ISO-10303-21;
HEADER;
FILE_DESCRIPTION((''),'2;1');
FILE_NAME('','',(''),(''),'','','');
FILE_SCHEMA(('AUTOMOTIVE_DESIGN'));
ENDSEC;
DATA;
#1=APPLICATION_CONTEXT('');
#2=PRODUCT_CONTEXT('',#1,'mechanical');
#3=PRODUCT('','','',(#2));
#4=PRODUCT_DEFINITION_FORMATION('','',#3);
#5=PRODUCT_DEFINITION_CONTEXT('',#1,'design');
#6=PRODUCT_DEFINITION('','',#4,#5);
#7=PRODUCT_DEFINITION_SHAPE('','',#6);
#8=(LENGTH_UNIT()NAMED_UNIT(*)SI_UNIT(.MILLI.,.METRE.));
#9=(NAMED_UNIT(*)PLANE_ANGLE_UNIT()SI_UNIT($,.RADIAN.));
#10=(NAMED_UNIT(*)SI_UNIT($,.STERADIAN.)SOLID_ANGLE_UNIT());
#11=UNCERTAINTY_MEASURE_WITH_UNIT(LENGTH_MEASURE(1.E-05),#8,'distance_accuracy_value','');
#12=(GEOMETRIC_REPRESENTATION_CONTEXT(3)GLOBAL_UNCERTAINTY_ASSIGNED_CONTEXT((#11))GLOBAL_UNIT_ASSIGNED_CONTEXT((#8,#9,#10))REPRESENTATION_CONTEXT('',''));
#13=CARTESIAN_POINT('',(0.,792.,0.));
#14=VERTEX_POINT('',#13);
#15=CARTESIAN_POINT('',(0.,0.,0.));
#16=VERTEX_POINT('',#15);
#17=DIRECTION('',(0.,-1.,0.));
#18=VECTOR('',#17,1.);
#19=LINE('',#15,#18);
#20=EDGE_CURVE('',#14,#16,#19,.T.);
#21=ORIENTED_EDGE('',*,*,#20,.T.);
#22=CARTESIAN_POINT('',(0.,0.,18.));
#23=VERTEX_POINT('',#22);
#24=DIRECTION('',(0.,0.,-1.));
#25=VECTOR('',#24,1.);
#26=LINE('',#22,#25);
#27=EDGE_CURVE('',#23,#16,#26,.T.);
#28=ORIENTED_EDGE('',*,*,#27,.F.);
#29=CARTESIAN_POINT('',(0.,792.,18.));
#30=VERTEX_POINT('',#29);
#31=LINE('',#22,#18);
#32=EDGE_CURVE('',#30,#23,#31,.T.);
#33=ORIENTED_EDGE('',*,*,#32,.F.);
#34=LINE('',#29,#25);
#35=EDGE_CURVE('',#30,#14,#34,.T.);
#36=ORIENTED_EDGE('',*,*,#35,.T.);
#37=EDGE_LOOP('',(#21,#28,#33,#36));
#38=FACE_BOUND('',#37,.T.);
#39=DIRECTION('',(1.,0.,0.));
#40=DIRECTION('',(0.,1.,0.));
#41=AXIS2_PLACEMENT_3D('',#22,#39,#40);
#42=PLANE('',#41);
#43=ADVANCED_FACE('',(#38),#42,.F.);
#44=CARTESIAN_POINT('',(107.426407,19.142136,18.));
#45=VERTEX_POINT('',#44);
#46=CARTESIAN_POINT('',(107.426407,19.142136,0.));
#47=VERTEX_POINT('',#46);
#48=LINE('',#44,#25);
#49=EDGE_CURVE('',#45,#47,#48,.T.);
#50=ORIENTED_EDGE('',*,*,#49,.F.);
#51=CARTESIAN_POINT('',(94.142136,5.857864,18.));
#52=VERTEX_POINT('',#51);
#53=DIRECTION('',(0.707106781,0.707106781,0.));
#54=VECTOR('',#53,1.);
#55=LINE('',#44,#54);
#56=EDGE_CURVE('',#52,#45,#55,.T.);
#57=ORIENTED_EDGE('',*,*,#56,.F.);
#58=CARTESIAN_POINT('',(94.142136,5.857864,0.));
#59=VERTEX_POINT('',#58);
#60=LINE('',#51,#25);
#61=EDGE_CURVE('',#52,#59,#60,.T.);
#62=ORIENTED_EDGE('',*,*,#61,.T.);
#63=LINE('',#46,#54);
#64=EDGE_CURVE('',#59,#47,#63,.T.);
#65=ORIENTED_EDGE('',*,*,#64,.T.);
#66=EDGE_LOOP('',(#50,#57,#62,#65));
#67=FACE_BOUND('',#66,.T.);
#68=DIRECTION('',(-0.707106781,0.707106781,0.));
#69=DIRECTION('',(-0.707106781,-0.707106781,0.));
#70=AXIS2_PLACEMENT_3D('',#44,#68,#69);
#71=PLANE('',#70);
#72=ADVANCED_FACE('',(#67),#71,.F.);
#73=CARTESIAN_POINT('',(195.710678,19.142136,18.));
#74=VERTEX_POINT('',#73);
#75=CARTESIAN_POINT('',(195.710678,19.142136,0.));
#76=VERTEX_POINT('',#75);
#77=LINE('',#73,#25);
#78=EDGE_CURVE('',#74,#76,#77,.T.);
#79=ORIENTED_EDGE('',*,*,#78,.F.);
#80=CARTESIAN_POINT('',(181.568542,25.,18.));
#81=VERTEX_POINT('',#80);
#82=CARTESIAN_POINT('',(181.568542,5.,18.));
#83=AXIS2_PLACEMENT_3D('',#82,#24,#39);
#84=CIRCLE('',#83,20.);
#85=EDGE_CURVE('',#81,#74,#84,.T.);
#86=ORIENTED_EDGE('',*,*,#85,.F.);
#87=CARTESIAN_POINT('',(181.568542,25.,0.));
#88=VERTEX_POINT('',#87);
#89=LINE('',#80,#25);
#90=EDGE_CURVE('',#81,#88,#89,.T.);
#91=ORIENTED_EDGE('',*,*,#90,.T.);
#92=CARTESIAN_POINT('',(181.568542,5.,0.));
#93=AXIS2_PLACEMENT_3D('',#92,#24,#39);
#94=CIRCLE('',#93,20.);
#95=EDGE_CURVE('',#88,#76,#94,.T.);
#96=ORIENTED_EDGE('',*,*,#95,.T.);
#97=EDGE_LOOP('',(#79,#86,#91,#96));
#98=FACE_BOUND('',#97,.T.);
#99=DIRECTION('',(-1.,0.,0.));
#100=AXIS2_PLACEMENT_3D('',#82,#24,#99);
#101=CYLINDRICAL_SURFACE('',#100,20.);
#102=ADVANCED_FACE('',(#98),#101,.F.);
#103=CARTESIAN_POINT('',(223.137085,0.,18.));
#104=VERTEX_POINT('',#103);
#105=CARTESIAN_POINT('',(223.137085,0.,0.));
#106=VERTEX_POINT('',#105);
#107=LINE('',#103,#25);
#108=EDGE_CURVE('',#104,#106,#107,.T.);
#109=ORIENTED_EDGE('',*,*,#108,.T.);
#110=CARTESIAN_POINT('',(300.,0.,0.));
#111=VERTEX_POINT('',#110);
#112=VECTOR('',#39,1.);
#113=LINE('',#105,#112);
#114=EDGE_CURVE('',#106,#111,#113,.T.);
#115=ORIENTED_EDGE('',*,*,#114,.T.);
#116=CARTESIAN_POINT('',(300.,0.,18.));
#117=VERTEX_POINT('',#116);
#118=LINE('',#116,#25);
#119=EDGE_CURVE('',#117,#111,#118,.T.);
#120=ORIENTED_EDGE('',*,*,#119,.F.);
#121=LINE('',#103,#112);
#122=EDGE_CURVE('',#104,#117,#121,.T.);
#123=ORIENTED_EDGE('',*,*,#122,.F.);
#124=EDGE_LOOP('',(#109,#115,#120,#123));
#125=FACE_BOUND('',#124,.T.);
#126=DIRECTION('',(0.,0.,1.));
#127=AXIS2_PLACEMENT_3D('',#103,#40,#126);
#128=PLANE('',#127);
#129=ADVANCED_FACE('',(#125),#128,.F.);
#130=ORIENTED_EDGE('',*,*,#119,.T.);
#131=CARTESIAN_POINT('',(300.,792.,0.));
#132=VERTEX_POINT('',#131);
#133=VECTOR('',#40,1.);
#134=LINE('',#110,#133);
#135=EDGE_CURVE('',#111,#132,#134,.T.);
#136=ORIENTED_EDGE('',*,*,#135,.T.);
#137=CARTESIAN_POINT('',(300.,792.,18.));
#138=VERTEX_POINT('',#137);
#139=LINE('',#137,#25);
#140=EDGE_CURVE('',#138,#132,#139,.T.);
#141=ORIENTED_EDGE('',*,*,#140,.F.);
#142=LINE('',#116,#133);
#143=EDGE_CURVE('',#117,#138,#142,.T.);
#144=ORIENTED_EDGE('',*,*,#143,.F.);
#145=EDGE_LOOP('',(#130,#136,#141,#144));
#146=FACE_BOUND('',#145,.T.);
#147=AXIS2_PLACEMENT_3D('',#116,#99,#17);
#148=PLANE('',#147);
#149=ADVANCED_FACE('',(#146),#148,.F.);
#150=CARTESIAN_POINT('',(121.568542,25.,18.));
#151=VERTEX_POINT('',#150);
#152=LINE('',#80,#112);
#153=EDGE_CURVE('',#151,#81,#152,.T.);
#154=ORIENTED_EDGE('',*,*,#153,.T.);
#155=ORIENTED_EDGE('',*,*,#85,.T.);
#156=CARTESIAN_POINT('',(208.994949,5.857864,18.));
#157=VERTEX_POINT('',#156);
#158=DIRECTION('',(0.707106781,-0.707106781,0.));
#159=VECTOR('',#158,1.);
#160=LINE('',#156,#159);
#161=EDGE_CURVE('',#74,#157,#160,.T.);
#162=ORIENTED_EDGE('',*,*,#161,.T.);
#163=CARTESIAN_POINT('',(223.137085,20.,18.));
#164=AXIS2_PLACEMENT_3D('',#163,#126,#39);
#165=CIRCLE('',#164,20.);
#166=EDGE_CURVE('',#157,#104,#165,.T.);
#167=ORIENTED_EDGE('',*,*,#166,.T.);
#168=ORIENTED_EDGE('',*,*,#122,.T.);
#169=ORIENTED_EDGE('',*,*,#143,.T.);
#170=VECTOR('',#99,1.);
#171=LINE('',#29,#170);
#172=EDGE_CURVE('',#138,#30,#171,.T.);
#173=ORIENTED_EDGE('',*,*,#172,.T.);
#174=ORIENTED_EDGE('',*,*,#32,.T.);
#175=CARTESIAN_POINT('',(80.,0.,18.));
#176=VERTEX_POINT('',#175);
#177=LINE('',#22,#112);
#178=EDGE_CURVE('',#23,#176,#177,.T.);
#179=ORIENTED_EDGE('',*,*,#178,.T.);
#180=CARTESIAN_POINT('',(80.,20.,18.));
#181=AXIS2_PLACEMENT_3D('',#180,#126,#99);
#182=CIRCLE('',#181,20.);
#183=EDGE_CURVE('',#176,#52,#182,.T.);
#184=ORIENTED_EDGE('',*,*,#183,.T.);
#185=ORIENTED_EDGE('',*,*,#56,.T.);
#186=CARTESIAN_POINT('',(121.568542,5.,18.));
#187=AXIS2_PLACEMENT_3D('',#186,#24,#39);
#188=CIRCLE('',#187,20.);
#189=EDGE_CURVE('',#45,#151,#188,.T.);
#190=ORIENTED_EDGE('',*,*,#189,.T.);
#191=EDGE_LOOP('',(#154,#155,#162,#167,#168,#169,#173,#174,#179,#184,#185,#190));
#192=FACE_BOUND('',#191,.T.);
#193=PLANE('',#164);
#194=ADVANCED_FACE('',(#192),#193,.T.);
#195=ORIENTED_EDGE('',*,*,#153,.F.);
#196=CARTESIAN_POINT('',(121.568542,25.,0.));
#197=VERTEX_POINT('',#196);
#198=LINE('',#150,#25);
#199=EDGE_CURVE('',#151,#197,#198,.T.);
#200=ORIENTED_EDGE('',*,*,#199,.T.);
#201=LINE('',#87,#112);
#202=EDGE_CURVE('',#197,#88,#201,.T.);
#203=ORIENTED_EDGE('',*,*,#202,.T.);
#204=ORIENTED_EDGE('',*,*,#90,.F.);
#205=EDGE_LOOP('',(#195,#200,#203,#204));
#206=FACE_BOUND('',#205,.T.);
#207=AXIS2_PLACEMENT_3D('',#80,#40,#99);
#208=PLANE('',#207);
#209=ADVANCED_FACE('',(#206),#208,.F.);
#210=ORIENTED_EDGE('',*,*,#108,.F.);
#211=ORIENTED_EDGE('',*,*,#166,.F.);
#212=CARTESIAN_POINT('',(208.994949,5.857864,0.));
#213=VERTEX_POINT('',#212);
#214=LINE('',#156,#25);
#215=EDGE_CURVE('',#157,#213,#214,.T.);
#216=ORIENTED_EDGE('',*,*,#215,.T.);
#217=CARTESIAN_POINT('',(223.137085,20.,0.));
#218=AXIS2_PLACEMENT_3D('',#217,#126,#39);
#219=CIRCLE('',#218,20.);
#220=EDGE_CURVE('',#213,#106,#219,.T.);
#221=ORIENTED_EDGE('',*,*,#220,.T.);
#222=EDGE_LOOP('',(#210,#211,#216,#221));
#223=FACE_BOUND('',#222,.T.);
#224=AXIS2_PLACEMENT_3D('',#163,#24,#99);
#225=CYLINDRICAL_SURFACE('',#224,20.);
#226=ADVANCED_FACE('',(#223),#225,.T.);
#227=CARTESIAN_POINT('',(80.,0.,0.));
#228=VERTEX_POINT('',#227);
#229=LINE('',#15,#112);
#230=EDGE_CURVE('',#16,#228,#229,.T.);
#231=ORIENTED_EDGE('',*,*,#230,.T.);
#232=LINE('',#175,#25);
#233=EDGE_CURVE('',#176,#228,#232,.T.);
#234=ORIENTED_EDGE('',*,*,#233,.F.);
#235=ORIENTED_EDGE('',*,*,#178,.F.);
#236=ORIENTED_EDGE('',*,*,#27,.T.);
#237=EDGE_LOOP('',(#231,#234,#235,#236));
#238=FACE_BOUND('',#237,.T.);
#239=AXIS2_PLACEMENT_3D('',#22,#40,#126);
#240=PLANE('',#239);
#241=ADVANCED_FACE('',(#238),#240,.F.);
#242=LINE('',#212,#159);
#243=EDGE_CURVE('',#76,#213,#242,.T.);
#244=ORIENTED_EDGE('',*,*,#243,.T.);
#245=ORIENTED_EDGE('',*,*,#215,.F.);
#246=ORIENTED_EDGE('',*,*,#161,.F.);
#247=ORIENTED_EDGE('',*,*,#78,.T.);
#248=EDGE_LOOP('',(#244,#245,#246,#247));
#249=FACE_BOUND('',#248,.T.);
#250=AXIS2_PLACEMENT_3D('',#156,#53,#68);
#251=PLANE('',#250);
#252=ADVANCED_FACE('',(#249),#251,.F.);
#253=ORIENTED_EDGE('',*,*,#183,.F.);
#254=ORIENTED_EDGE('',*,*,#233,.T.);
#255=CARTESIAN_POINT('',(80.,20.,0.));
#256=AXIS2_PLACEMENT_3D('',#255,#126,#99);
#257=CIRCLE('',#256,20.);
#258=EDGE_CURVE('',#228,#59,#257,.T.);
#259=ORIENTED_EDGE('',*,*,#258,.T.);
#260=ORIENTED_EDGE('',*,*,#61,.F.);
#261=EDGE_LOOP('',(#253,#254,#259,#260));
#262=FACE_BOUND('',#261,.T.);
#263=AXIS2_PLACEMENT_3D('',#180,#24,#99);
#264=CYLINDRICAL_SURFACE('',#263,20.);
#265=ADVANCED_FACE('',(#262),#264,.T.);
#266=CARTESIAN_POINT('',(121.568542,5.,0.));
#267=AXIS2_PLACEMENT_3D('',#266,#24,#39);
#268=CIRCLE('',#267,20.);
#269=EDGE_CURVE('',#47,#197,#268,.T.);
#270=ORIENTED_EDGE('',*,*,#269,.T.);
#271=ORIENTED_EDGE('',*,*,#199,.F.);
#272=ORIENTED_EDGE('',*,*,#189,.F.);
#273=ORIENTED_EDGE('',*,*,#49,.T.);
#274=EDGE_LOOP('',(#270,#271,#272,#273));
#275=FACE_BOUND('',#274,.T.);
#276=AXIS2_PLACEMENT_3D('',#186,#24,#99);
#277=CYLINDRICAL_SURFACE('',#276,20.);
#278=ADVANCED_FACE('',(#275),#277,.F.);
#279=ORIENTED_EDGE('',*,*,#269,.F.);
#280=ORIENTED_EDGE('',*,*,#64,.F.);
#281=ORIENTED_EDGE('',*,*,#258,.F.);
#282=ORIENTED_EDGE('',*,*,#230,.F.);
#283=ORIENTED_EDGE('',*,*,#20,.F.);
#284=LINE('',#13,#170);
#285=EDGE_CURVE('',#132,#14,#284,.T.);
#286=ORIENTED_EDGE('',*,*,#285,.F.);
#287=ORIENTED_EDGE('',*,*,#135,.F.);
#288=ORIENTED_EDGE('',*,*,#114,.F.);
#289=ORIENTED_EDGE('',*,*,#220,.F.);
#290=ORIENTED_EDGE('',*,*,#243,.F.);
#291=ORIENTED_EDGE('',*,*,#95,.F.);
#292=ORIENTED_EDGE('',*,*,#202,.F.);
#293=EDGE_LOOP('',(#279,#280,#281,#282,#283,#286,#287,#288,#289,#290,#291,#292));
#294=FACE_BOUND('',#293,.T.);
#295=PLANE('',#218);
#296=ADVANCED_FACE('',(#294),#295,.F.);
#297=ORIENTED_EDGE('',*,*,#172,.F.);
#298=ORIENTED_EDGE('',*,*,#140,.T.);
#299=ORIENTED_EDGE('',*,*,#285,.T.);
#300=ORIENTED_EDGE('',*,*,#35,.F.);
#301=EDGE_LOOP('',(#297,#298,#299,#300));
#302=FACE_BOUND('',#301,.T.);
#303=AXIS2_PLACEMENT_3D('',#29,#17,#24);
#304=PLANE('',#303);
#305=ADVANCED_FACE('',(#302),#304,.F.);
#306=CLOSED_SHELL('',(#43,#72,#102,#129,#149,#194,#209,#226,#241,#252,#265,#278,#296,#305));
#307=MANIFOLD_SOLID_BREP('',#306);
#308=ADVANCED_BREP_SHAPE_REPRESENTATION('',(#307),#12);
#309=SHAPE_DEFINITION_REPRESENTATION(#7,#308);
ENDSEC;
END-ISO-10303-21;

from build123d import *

# Parameters (mm, degrees)
BOSS_EXTRUDE1_DEPTH = 18


with BuildPart() as part:
    # Sketch1 → Boss-Extrude1 (new body)
    with BuildSketch(Plane.XY):
        with BuildLine():
            Line((208.994949366, 5.857864376), (195.710678119, 19.142135624))
            ThreePointArc((195.710678119, 19.142135624), (189.222211142, 23.47759065), (181.568542495, 25))
            Line((181.568542495, 25), (121.568542495, 25))
            ThreePointArc((121.568542495, 25), (113.914873848, 23.47759065), (107.426406871, 19.142135624))
            Line((107.426406871, 19.142135624), (94.142135624, 5.857864376))
            ThreePointArc((94.142135624, 5.857864376), (87.653668647, 1.52240935), (80, 0))
            Line((80, 0), (0, 0))
            Line((0, 0), (0, 792))
            Line((0, 792), (300, 792))
            Line((300, 792), (300, 0))
            Line((300, 0), (223.13708499, 0))
            ThreePointArc((223.13708499, 0), (215.483416343, 1.52240935), (208.994949366, 5.857864376))
        make_face()
    extrude(amount=BOSS_EXTRUDE1_DEPTH)


solid = part.part
